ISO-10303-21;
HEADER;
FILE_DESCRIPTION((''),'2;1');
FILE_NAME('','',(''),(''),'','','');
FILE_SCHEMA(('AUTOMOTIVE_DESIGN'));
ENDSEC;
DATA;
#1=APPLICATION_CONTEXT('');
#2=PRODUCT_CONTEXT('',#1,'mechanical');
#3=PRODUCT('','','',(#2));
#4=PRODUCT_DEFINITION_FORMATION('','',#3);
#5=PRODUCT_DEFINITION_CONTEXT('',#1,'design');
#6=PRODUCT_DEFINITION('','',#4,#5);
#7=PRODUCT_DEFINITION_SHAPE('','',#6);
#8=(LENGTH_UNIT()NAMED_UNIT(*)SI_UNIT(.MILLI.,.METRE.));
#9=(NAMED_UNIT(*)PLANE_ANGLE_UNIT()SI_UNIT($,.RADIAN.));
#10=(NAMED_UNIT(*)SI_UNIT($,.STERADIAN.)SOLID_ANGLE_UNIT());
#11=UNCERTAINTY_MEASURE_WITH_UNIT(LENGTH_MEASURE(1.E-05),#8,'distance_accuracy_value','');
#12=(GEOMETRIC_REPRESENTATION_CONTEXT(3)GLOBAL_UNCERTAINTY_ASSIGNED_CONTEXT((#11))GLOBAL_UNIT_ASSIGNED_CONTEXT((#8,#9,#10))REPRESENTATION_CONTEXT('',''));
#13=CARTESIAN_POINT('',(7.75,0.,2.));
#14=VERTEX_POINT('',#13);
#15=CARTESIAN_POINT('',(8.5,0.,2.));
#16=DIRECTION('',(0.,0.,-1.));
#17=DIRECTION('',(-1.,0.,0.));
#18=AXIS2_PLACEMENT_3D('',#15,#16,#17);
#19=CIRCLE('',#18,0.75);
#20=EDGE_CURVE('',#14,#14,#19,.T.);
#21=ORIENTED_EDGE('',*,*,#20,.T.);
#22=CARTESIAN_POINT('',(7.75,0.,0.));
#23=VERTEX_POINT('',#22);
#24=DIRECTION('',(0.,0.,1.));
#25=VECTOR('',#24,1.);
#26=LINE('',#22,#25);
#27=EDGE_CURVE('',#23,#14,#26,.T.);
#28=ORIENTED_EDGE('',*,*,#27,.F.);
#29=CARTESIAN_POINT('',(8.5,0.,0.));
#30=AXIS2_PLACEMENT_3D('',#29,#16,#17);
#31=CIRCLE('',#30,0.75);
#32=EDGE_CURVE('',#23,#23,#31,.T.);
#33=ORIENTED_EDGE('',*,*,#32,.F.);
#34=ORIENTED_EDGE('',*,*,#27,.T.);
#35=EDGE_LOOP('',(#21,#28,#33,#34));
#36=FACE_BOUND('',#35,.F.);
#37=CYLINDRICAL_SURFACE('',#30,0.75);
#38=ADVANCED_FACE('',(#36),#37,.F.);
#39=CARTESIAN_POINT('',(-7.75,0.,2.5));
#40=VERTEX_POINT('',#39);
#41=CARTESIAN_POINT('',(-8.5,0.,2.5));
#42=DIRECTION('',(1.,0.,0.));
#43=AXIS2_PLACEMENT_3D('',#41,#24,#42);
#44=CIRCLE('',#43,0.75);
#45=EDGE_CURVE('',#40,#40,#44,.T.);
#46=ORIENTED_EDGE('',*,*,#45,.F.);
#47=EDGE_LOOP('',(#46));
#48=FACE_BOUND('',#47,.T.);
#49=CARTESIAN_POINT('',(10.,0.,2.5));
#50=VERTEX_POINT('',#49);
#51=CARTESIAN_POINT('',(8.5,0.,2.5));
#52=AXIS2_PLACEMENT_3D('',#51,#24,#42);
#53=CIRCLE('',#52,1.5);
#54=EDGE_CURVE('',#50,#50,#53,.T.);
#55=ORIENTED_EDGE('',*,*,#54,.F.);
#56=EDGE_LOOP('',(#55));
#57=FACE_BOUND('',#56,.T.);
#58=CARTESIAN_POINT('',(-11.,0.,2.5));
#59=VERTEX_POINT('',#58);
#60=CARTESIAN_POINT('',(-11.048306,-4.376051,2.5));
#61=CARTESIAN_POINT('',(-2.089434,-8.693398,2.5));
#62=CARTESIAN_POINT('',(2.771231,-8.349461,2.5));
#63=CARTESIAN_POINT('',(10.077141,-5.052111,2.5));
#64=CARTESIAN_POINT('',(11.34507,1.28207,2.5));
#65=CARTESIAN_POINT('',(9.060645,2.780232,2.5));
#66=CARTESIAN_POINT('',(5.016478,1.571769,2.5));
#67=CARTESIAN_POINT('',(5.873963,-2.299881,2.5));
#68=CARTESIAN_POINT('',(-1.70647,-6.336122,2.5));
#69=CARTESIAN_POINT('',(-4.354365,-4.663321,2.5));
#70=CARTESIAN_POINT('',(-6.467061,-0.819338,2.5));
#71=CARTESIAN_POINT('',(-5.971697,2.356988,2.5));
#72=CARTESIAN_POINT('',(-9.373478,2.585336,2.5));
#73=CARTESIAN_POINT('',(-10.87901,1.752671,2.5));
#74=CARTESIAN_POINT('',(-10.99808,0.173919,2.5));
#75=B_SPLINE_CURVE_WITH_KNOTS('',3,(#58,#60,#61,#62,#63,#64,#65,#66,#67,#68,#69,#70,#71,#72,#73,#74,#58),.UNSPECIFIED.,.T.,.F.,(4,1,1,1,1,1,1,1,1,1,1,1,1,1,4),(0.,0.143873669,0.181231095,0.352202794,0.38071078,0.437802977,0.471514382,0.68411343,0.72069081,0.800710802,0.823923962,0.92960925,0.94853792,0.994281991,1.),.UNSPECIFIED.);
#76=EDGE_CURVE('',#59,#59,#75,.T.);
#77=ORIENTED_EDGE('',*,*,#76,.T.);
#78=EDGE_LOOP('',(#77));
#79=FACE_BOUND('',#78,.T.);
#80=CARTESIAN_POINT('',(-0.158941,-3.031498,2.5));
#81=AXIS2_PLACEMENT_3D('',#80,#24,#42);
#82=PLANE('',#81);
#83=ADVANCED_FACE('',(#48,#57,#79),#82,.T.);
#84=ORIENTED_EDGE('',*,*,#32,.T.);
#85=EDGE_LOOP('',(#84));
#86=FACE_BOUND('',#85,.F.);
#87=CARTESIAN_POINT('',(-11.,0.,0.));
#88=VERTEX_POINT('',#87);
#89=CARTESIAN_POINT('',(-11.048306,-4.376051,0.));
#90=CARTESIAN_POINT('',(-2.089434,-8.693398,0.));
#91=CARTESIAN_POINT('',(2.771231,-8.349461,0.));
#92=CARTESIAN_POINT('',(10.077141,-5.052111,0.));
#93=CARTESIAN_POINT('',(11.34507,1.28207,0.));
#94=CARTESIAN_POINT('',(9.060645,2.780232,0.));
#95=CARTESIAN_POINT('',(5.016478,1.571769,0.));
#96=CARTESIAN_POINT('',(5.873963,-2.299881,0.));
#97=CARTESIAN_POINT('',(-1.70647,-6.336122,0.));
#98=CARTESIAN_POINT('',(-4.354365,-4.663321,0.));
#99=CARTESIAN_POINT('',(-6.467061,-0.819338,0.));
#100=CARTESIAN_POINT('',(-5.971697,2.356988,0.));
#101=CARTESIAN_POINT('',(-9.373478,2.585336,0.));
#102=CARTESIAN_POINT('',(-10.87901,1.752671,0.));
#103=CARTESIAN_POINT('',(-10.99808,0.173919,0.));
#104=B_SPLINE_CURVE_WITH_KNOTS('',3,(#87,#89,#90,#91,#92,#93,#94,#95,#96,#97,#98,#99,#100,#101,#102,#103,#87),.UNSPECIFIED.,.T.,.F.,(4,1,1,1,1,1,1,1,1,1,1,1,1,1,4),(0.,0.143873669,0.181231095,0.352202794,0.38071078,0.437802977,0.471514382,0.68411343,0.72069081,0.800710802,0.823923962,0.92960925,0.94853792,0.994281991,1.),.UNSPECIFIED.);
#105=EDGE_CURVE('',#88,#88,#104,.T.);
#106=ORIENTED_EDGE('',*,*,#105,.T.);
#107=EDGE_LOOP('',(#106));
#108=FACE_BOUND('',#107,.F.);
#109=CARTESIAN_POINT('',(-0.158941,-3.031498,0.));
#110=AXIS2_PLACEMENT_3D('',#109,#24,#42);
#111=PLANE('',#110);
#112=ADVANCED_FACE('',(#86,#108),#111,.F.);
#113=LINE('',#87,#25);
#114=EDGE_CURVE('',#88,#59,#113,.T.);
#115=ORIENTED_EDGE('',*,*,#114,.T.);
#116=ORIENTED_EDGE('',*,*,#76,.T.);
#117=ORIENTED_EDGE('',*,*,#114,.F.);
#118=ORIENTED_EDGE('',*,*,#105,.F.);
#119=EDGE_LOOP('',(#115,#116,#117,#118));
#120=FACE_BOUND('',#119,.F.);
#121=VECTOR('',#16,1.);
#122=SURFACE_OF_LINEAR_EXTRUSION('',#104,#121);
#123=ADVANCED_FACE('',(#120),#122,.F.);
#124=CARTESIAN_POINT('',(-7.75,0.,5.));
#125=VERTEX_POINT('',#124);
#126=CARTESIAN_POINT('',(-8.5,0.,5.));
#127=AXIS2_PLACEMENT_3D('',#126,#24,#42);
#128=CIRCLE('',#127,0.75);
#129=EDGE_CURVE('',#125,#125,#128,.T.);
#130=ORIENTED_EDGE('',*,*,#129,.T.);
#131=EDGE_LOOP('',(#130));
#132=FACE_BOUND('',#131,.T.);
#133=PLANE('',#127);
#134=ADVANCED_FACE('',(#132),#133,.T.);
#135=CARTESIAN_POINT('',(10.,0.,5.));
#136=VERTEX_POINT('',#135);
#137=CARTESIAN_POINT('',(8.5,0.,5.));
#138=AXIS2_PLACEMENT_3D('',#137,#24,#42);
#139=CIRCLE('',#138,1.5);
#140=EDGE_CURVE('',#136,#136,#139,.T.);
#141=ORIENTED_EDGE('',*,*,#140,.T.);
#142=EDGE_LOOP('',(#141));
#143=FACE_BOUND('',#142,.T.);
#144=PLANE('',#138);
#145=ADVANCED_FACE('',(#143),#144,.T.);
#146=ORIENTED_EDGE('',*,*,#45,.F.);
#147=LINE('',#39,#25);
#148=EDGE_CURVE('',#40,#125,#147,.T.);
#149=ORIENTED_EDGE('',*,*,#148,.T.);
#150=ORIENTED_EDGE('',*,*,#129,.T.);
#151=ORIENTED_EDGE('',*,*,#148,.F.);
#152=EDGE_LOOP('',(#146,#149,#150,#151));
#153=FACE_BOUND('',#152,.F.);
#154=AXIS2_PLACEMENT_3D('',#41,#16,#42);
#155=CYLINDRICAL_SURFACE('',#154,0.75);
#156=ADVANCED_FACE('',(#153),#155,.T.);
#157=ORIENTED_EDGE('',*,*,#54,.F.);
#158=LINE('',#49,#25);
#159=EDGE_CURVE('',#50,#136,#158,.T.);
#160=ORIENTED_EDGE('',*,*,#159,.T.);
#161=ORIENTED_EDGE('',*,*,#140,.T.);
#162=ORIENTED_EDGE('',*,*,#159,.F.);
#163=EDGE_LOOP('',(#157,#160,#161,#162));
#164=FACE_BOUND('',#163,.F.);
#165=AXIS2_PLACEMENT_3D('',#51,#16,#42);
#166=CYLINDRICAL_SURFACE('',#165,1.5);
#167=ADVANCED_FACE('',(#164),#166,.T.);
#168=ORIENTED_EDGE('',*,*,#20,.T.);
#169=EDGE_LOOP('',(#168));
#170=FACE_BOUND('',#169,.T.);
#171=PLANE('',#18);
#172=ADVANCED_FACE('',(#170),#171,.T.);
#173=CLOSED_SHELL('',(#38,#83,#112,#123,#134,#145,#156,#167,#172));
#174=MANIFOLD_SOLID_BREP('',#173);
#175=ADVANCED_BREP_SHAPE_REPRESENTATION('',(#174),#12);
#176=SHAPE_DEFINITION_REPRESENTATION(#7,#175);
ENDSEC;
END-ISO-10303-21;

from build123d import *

# Parameters (mm, degrees)
SALIENTE_EXTRUIR4_DEPTH = 2.5
CROQUIS4_R              = 1.5
CROQUIS4_R_2            = 0.75
SALIENTE_EXTRUIR6_DEPTH = 2.5
CROQUIS5_R              = 0.75
CORTAR_EXTRUIR1_DEPTH   = 2


with BuildPart() as part:
    # Croquis1 → Saliente-Extruir4 (new body)
    with BuildSketch(Plane.XY):
        with BuildLine():
            add(Edge.make_bspline(
                [(-11, 0), (-11.048306131, -4.376050908), (-2.089434413, -8.693398442), (2.771230548, -8.349461193), (10.077141493, -5.05211068), (11.345069676, 1.282069838), (9.060644965, 2.780232127), (5.016478094, 1.571769184), (5.873962718, -2.299880995), (-1.706469618, -6.336121884), (-4.354365069, -4.663321085), (-6.467061292, -0.819337678), (-5.971697018, 2.356988298), (-9.373477772, 2.585336492), (-10.879010139, 1.752671035), (-10.998080157, 0.173918535), (-11, 0)],
                knots=[0, 0, 0, 0, 0.143873669, 0.181231095, 0.352202794, 0.38071078, 0.437802977, 0.471514382, 0.68411343, 0.72069081, 0.800710802, 0.823923962, 0.92960925, 0.94853792, 0.994281991, 1, 1, 1, 1], degree=3))
        make_face()
    extrude(amount=SALIENTE_EXTRUIR4_DEPTH)

    # Croquis4 → Saliente-Extruir6 (add)
    with BuildSketch(Plane.XY.offset(2.5)):
        with Locations((8.5, 0)):
            Circle(CROQUIS4_R)
        with Locations((-8.5, 0)):
            Circle(CROQUIS4_R_2)
    extrude(amount=SALIENTE_EXTRUIR6_DEPTH)

    # Croquis5 → Cortar-Extruir1 (cut)
    with BuildSketch(Plane(origin=(0, 0, 0), x_dir=(-1, 0, 0), z_dir=(0, 0, -1))):
        with Locations((-8.5, 0)):
            Circle(CROQUIS5_R)
    extrude(amount=-CORTAR_EXTRUIR1_DEPTH, mode=Mode.SUBTRACT)


solid = part.part
